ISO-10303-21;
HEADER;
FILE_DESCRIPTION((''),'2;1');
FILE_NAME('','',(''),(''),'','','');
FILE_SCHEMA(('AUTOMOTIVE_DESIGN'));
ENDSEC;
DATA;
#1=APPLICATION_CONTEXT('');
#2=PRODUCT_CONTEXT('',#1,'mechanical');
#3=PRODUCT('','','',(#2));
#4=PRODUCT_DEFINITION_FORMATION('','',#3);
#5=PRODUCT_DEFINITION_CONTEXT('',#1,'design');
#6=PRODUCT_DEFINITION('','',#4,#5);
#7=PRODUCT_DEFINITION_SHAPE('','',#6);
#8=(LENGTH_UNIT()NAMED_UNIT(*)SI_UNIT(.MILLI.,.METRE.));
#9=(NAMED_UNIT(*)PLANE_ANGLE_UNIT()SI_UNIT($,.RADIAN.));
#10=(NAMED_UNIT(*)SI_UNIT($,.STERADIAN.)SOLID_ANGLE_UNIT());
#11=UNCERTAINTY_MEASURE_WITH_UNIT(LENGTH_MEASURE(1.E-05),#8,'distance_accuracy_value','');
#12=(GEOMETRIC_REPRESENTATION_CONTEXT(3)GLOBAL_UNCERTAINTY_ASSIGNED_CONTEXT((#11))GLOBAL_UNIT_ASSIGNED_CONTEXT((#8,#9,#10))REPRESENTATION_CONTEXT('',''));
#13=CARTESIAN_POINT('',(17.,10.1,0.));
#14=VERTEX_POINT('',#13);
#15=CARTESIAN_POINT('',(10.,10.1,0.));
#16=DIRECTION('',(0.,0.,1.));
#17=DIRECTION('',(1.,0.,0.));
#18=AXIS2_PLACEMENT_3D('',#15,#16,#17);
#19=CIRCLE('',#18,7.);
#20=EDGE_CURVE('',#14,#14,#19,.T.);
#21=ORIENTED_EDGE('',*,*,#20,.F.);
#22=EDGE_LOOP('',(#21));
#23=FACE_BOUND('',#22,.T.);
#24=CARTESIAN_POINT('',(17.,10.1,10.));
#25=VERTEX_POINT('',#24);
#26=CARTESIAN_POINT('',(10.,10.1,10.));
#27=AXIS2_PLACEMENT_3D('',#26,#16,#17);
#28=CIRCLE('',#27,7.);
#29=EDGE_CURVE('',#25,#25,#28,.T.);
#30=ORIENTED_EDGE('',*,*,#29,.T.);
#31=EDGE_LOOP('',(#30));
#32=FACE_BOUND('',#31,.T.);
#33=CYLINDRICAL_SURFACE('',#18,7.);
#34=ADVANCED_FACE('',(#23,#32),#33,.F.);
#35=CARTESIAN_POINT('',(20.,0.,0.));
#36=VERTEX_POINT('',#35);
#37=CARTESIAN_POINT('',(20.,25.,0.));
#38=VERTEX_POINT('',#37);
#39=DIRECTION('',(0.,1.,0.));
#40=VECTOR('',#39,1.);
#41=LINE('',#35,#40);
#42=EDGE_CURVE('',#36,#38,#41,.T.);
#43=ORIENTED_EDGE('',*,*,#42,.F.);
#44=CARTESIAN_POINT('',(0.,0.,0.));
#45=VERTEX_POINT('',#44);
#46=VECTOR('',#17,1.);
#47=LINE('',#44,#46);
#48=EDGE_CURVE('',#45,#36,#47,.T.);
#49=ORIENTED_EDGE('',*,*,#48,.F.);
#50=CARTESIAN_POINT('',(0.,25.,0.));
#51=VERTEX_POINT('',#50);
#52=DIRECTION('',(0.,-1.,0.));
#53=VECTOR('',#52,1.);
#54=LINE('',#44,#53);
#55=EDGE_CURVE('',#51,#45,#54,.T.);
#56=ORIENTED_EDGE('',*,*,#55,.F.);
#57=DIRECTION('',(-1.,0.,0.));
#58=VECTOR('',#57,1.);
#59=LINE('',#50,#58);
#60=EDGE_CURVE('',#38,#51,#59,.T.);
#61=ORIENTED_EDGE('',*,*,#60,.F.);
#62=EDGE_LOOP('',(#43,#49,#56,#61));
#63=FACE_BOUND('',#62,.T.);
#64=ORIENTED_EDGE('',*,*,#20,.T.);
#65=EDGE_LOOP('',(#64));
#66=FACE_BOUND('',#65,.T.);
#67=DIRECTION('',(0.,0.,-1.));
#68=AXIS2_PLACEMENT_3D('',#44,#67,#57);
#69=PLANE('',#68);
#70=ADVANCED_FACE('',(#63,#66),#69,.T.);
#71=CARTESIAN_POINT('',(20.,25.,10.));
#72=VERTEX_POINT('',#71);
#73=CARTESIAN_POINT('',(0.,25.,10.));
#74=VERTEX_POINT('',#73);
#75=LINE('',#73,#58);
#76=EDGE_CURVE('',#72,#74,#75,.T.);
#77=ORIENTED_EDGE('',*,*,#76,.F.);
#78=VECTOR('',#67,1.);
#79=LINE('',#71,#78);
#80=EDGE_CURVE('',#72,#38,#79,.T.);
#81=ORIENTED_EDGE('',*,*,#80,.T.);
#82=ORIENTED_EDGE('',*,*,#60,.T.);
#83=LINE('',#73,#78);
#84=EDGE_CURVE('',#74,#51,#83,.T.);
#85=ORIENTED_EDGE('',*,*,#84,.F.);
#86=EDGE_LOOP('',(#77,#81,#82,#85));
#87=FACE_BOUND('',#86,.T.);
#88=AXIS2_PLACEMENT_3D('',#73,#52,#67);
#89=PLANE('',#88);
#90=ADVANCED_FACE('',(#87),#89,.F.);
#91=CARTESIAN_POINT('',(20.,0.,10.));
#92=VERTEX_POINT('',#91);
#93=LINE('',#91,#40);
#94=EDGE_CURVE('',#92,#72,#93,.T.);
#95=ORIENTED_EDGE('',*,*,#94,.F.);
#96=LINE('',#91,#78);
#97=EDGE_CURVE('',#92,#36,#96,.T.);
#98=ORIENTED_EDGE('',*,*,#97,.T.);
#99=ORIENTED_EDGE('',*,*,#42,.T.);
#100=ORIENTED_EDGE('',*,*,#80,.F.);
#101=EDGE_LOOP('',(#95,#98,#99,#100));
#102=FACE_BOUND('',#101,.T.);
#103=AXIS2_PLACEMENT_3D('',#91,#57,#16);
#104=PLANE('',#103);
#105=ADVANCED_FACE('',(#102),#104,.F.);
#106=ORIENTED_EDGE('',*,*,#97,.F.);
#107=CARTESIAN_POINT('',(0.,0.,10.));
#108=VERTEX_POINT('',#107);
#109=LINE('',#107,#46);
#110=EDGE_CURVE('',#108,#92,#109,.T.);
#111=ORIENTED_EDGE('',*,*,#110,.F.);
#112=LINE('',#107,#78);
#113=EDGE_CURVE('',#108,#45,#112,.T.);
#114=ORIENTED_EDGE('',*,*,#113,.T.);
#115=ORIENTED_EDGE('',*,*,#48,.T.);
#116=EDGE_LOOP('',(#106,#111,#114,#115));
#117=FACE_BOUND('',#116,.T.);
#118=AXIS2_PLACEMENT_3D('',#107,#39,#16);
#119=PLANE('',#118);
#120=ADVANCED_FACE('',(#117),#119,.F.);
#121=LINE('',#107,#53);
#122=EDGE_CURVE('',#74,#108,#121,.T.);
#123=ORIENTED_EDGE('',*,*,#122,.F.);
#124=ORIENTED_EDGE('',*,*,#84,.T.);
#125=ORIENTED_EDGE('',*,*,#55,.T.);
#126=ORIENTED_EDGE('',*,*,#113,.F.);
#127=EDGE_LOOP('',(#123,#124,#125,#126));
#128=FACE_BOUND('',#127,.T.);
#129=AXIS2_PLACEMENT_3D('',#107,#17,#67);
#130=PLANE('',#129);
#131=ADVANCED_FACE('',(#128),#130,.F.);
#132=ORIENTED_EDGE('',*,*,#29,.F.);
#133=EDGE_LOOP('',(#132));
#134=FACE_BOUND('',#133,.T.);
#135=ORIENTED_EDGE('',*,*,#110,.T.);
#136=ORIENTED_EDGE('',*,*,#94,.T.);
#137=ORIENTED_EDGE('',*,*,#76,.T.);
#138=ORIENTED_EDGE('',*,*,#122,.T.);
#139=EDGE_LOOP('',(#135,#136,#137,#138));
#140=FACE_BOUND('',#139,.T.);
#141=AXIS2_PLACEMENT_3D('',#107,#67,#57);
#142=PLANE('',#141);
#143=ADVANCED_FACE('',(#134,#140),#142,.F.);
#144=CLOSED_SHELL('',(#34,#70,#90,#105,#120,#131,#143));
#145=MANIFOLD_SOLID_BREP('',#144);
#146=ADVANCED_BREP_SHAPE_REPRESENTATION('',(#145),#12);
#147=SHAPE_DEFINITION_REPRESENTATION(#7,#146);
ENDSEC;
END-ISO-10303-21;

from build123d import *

# Parameters (mm, degrees)
ESQUISSE1_W             = 20
ESQUISSE1_H             = 25
BOSS_EXTRU_1_DEPTH      = 10
ESQUISSE2_R             = 7
ENL_V_MAT_EXTRU_1_DEPTH = 34.541019662


with BuildPart() as part:
    # Esquisse1 → Boss.-Extru.1 (new body)
    with BuildSketch(Plane.XY):
        with Locations((10, 12.5)):
            Rectangle(ESQUISSE1_W, ESQUISSE1_H)
    extrude(amount=BOSS_EXTRU_1_DEPTH)

    # Esquisse2 → Enlèv. mat.-Extru.1 (cut, through all)
    with BuildSketch(Plane.XY.offset(10)):
        with Locations((10, 10.1)):
            Circle(ESQUISSE2_R)
    extrude(amount=-ENL_V_MAT_EXTRU_1_DEPTH, mode=Mode.SUBTRACT)


solid = part.part
